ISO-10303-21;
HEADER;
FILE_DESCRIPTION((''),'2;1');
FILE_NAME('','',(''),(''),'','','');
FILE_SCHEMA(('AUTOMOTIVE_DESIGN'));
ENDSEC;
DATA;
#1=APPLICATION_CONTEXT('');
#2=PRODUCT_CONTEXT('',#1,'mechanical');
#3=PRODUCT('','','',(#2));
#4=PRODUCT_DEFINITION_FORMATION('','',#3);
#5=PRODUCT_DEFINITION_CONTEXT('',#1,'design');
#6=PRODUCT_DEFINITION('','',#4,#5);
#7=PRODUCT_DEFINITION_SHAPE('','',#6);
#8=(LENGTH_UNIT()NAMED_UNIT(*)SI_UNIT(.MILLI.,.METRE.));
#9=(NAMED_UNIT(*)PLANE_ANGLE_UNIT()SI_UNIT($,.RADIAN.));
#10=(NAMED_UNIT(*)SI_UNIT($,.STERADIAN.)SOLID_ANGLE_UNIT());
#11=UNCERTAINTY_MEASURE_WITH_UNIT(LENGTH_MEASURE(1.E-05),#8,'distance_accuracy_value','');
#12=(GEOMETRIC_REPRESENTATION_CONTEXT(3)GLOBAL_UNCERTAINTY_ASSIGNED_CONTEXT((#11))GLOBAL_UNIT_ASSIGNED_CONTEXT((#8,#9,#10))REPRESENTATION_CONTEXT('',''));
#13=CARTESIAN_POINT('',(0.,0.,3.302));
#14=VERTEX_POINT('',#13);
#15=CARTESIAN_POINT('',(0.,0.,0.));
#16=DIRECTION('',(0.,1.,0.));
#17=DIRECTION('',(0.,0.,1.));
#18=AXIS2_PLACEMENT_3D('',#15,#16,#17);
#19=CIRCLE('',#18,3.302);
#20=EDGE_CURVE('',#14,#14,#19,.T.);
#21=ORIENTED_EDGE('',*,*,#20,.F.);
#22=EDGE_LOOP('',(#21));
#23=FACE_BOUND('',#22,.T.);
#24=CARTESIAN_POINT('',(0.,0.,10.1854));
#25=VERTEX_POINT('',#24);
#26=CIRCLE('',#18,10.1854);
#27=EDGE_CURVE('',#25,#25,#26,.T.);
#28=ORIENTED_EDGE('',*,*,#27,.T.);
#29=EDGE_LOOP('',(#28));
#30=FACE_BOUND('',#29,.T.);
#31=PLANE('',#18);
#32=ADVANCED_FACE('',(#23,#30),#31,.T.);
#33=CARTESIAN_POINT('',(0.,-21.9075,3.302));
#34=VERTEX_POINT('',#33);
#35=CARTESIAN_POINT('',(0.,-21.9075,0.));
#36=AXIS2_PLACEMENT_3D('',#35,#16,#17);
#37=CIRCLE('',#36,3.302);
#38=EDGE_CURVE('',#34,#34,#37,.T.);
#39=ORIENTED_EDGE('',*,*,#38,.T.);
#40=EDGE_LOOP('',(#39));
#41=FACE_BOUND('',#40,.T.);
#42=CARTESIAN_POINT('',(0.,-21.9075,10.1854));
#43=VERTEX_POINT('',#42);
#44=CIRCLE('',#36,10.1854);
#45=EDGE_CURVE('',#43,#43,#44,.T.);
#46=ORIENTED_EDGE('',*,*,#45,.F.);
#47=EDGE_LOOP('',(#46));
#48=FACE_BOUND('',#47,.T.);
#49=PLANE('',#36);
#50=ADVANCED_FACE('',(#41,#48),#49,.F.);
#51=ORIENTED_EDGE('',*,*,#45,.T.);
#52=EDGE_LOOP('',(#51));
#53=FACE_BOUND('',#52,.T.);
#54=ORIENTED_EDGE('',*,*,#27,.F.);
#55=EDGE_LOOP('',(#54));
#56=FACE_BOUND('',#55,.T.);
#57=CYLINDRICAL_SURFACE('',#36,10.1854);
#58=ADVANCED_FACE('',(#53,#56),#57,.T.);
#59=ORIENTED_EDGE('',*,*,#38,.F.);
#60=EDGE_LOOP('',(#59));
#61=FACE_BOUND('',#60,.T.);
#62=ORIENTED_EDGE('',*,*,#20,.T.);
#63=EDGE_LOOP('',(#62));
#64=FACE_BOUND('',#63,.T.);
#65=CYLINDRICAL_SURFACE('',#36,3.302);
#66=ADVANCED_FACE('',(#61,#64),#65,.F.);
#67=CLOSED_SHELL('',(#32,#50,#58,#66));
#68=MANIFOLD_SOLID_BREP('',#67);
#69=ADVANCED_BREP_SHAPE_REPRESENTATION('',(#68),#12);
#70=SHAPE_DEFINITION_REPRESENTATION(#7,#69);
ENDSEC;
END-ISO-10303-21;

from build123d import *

# Parameters (mm, degrees)
SKETCH1_R           = 10.1854
SKETCH1_R_2         = 3.302
BOSS_EXTRUDE1_DEPTH = 21.9075


with BuildPart() as part:
    # Sketch1 → Boss-Extrude1 (new body)
    with BuildSketch(Plane(origin=(0, 0, 0), x_dir=(1, 0, 0), z_dir=(0, 1, 0))):
        with Locations(Location((0, 0, 0), (0, 0, 270))):
            Circle(SKETCH1_R)
        with Locations(Location((0, 0, 0), (0, 0, 270))):
            Circle(SKETCH1_R_2, mode=Mode.SUBTRACT)
    extrude(amount=-BOSS_EXTRUDE1_DEPTH)


solid = part.part
